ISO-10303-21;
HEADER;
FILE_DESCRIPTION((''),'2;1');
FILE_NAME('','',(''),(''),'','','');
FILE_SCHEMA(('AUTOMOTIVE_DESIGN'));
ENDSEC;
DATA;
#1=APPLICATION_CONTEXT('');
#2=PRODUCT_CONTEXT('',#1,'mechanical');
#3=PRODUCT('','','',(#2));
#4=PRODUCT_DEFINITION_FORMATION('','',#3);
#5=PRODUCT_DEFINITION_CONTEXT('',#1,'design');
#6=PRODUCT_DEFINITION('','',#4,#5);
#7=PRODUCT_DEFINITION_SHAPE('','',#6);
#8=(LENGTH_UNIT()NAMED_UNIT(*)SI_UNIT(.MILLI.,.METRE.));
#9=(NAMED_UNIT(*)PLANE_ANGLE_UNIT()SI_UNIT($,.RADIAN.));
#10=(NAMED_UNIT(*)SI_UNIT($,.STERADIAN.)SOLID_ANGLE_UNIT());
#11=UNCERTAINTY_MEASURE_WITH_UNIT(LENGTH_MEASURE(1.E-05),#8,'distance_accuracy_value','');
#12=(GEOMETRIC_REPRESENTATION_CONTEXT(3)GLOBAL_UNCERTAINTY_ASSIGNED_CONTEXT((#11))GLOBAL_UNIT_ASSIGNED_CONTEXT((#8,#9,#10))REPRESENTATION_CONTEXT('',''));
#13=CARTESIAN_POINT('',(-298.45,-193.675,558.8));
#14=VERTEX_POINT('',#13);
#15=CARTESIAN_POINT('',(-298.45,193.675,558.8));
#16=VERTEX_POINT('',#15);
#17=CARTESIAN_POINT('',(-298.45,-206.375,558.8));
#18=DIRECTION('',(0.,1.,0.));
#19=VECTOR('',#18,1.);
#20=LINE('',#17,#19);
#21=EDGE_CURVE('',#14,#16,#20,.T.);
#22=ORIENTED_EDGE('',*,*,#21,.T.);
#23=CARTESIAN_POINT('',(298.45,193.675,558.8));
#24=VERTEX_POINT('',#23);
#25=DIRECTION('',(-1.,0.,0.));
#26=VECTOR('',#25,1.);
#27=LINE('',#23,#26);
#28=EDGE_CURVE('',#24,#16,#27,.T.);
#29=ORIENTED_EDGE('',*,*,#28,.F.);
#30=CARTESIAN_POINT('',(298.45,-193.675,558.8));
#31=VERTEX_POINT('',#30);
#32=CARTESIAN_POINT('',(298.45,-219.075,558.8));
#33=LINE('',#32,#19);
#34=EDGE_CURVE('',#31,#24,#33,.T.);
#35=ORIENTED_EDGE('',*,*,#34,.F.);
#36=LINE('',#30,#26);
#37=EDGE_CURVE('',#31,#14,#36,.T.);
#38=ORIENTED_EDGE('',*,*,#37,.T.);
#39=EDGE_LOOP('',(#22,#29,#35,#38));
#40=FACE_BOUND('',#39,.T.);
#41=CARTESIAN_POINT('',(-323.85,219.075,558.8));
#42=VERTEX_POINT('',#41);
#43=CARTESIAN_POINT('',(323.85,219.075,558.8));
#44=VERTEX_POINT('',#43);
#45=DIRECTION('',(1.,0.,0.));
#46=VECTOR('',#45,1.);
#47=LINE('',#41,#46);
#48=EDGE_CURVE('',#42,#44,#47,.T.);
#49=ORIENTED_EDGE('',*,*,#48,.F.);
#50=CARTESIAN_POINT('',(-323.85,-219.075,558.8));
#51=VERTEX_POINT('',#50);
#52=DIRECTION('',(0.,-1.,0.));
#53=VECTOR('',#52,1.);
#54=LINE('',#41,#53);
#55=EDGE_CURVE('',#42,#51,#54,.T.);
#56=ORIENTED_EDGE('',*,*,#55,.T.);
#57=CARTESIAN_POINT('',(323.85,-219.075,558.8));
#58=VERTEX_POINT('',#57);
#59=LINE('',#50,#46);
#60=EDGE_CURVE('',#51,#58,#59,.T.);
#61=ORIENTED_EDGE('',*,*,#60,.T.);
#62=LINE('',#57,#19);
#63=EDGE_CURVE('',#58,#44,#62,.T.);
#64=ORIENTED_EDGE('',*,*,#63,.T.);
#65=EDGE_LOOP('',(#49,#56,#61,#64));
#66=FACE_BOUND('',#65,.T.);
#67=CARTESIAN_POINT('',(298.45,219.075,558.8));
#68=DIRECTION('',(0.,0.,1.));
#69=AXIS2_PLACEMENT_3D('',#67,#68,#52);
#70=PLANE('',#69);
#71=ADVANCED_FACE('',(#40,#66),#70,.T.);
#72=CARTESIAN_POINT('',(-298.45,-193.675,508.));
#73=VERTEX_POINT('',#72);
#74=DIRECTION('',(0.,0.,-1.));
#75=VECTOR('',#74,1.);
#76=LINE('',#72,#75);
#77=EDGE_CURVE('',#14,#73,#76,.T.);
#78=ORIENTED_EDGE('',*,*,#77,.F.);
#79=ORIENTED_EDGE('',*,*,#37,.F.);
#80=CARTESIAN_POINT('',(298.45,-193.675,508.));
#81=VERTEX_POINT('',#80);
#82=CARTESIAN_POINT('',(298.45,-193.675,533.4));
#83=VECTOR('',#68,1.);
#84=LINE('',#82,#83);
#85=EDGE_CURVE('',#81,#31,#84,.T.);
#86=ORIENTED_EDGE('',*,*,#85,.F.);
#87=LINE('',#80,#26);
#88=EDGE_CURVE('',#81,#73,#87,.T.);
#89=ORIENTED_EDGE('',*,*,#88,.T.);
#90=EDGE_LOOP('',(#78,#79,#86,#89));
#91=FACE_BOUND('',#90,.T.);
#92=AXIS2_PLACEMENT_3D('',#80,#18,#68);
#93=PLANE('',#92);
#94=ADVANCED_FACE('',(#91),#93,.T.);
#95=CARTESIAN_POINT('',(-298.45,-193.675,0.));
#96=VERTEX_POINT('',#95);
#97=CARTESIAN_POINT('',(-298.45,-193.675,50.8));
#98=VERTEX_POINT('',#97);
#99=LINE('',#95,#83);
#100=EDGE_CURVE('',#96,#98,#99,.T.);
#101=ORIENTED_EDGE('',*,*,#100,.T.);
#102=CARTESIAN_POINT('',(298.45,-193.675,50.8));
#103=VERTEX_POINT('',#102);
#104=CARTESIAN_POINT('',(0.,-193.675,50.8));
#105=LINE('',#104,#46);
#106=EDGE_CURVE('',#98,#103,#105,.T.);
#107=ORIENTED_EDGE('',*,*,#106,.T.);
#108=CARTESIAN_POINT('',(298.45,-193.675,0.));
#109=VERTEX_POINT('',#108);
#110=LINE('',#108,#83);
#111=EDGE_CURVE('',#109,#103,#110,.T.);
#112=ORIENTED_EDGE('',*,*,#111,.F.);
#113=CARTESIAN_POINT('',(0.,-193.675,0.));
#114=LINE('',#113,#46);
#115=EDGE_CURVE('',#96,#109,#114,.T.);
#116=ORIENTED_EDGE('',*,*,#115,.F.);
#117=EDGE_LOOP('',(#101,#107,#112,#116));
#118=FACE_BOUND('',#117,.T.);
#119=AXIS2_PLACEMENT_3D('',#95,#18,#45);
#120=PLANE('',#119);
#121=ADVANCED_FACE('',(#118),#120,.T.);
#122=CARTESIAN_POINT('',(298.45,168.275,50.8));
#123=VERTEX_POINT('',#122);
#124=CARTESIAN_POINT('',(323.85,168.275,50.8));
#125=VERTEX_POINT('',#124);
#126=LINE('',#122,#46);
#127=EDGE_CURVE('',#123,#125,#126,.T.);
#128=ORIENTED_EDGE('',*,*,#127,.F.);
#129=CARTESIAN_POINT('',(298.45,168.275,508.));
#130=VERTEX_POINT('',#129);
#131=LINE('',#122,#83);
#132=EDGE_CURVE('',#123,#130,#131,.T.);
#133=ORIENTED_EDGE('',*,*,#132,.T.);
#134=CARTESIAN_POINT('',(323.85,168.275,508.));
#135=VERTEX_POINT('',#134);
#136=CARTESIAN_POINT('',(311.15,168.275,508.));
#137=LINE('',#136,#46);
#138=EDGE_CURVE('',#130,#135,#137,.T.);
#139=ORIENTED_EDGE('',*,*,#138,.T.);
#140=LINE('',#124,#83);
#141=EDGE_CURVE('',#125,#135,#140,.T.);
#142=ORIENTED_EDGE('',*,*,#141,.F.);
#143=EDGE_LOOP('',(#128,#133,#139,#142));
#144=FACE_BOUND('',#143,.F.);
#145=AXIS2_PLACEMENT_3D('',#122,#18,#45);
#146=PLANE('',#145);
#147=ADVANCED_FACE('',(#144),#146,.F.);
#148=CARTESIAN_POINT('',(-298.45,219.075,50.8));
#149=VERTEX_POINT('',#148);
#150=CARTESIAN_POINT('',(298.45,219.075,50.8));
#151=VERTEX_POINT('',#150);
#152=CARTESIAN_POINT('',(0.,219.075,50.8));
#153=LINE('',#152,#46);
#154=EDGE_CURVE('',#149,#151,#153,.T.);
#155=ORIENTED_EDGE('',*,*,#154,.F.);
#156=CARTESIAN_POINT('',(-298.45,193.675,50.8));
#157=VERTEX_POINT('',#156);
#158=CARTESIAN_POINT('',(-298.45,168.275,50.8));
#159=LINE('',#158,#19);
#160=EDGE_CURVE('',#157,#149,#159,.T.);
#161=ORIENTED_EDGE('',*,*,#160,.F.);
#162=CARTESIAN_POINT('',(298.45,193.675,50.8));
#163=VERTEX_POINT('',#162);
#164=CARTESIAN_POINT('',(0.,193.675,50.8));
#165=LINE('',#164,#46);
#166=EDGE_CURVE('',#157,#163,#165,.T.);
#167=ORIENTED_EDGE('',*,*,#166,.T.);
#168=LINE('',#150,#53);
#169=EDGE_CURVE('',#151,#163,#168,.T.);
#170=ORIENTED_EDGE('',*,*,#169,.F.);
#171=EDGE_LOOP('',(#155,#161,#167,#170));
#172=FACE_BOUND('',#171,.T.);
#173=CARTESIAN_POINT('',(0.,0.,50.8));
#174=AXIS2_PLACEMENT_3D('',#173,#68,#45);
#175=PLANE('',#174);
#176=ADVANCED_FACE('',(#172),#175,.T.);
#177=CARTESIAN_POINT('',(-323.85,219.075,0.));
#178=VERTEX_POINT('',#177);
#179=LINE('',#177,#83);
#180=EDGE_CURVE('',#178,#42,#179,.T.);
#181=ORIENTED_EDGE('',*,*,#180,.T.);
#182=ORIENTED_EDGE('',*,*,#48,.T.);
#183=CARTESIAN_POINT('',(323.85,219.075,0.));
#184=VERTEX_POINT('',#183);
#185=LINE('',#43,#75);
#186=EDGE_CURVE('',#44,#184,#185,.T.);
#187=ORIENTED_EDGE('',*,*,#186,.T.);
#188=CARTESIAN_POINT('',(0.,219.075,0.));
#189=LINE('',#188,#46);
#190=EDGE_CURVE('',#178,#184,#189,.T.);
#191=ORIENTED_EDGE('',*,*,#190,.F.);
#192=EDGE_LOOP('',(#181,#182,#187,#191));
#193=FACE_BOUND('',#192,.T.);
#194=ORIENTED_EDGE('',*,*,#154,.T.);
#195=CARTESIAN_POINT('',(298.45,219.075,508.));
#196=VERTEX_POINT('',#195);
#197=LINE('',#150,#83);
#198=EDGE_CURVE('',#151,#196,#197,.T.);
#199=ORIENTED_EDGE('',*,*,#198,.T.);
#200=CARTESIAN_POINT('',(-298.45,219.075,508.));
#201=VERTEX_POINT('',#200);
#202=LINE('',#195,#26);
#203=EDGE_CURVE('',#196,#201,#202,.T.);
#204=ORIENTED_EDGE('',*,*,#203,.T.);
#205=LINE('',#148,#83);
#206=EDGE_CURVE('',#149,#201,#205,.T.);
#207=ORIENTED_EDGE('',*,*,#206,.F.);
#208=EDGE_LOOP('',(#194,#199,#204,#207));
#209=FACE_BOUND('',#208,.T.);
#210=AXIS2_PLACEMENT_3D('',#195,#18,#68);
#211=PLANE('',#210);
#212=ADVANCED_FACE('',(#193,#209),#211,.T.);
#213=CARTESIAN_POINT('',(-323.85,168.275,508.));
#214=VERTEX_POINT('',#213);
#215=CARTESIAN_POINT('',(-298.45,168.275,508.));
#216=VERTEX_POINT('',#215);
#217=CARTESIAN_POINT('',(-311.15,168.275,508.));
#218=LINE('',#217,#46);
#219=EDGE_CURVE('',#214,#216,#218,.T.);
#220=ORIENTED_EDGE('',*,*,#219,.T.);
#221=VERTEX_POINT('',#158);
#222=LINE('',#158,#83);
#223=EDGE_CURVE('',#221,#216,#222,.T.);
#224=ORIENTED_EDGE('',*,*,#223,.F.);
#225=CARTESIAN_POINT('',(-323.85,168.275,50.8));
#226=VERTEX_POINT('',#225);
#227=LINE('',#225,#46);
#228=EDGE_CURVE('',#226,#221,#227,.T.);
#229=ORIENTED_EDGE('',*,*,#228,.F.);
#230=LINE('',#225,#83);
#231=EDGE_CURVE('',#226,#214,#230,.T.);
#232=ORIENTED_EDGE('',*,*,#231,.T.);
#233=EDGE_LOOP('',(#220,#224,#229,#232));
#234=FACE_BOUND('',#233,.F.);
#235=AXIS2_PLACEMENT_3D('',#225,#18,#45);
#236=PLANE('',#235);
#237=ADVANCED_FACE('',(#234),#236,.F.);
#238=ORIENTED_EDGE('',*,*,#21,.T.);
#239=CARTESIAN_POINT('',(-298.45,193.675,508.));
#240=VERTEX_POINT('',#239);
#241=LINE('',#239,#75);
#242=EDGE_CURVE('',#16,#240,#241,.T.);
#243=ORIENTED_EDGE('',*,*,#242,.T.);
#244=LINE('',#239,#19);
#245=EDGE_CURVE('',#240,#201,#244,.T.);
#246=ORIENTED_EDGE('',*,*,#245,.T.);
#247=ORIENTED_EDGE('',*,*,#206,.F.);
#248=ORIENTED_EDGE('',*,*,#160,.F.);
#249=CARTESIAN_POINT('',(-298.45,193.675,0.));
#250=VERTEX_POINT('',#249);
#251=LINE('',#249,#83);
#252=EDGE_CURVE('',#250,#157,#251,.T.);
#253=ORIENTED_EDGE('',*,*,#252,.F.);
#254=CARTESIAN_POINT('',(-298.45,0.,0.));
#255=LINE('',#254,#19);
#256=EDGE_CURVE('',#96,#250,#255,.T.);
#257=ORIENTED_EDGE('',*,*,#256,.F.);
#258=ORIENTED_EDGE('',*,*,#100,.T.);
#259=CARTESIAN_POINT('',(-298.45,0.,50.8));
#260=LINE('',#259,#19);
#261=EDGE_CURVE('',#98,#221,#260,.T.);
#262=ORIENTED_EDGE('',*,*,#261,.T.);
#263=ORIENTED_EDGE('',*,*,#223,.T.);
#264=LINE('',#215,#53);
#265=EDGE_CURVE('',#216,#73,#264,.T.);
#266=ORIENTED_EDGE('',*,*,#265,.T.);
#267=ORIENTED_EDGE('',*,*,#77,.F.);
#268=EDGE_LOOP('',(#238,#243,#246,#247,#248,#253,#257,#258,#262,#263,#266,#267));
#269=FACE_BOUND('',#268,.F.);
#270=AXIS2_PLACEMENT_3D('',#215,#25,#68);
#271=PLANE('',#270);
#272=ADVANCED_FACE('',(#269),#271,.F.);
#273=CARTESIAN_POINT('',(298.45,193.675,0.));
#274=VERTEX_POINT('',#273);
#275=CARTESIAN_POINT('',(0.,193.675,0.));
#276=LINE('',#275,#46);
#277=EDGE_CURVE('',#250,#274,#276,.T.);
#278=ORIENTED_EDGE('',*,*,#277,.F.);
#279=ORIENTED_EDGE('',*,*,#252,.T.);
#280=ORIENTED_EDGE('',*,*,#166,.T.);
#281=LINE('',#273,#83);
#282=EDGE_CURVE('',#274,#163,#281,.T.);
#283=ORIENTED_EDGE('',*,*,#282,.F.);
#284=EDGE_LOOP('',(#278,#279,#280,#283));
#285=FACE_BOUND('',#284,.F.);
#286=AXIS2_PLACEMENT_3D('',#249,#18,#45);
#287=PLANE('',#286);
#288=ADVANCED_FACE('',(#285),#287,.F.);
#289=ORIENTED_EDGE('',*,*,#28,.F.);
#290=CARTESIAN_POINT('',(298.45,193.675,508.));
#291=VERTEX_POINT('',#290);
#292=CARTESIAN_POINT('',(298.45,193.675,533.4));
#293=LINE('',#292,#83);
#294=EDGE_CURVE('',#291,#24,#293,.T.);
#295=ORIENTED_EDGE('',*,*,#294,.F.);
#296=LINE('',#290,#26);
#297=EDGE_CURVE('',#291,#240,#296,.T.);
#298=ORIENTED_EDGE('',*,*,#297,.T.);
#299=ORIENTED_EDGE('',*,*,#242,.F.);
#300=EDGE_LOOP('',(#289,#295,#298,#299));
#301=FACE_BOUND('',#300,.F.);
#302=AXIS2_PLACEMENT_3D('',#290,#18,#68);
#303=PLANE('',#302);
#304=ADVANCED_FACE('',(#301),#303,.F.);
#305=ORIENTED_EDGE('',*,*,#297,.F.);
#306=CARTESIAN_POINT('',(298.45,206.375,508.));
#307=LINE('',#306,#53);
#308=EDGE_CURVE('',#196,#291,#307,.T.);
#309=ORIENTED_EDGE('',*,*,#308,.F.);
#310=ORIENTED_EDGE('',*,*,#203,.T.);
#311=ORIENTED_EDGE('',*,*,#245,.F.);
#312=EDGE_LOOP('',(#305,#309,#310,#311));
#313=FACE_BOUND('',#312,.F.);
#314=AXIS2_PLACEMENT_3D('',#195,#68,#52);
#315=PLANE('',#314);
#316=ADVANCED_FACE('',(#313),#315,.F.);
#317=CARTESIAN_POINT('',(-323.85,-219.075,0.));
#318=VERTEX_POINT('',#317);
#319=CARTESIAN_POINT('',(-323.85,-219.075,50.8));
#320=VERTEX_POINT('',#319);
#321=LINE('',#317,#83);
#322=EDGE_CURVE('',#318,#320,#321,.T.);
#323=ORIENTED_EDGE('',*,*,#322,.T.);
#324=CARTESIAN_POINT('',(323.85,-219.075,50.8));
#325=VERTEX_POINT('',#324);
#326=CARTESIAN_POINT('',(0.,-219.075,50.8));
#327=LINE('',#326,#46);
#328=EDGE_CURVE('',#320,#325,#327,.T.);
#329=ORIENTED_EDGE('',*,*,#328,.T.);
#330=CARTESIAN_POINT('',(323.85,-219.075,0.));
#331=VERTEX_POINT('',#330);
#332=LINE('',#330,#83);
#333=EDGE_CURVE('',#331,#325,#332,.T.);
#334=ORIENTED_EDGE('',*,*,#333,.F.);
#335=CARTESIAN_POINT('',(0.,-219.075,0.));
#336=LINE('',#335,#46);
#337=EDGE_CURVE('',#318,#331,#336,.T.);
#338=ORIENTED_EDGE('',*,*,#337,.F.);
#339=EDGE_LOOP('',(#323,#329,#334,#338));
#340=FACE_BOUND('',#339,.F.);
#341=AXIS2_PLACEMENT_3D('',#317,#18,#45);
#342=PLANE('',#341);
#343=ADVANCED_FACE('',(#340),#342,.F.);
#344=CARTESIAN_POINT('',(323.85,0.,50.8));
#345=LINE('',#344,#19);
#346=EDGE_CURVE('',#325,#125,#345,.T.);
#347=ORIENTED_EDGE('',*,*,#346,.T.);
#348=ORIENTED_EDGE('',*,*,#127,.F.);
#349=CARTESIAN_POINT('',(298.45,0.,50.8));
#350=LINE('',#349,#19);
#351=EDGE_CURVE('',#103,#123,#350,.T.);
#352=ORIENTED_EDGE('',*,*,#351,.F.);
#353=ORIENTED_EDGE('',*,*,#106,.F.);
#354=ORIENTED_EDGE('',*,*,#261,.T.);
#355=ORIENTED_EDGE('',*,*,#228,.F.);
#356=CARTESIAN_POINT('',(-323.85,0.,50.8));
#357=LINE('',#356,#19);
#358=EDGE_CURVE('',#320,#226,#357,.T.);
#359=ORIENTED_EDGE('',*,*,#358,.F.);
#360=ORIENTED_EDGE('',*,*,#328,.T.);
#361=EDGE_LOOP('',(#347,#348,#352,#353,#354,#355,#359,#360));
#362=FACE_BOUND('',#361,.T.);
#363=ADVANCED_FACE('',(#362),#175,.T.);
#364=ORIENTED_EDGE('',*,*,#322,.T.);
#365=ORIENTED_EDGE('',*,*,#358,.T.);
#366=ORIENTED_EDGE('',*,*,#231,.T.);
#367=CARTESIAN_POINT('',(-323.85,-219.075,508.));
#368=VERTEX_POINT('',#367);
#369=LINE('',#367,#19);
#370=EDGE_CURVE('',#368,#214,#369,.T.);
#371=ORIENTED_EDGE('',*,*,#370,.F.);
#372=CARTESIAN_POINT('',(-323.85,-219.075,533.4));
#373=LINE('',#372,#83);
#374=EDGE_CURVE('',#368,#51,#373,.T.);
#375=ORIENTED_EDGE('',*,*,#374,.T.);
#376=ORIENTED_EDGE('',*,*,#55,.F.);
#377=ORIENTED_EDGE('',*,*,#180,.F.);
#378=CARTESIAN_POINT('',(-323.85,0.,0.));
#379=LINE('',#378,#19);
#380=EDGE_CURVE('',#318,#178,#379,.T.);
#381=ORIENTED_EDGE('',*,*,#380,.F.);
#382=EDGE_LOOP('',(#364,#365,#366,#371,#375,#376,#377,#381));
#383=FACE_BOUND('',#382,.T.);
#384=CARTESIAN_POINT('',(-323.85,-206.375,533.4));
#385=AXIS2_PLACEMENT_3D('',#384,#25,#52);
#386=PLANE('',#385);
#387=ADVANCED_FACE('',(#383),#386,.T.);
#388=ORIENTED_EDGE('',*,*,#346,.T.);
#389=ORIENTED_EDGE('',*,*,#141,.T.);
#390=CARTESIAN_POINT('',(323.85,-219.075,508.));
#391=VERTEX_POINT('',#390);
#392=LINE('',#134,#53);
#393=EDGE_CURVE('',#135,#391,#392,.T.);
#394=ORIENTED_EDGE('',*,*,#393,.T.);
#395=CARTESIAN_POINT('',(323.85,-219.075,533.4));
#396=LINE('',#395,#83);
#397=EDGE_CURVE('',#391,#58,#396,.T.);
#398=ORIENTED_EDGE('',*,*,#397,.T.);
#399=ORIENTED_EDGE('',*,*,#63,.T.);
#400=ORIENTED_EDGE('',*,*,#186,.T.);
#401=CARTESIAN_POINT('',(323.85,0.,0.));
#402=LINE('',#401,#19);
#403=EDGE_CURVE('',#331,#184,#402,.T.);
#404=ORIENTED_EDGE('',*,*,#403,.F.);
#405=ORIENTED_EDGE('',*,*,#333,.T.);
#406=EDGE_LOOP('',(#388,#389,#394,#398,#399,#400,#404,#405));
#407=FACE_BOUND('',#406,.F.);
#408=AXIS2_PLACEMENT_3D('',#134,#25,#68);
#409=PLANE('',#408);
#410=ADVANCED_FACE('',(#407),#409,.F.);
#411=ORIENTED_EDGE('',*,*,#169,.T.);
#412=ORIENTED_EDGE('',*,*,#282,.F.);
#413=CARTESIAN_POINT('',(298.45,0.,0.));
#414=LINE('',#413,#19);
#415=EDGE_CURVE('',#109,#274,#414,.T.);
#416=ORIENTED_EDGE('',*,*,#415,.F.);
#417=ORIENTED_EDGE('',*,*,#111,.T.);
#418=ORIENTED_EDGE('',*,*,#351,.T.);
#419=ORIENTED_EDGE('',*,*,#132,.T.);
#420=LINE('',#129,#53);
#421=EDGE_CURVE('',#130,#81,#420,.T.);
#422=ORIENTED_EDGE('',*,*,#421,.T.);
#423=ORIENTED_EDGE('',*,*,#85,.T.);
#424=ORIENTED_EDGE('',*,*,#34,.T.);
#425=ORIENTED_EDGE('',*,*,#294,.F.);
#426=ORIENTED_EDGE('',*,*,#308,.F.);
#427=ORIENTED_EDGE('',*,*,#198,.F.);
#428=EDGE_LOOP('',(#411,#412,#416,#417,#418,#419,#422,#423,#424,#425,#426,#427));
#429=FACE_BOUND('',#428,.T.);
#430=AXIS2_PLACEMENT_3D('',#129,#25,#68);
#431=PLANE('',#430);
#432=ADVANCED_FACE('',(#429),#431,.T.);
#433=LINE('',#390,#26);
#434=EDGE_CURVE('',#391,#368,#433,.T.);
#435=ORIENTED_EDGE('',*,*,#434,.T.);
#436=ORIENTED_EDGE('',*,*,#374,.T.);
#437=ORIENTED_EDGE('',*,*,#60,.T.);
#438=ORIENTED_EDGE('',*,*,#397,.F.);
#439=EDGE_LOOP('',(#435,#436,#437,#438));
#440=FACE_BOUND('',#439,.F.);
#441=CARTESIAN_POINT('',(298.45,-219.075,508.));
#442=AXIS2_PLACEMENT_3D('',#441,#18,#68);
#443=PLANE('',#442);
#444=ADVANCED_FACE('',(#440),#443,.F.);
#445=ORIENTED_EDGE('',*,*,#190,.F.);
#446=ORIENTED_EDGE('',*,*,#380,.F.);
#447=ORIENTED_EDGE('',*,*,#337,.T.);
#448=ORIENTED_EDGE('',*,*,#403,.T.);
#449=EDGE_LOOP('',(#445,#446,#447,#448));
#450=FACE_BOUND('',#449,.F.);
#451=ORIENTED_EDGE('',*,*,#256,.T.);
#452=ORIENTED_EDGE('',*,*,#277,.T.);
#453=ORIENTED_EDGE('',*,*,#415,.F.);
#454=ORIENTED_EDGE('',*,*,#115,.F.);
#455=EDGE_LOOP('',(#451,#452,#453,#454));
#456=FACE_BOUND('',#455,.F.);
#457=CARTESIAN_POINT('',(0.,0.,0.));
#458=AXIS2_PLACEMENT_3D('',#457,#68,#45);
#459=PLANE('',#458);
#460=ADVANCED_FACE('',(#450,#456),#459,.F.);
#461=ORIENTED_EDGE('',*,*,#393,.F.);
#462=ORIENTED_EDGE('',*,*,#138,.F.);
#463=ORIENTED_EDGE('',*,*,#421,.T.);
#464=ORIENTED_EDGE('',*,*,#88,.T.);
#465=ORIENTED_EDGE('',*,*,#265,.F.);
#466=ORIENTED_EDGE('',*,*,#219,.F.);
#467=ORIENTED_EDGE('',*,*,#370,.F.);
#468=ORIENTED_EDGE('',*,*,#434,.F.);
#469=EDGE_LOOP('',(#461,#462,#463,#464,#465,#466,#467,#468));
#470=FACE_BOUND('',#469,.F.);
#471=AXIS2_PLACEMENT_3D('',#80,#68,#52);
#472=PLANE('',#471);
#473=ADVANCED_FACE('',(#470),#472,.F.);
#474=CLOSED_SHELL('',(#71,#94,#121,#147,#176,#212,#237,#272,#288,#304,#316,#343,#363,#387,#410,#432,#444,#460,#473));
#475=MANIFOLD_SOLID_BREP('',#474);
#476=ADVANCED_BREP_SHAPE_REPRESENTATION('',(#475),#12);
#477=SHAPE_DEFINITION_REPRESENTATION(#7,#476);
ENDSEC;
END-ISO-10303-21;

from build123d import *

# Parameters (mm, degrees)
F0_W      = 647.7
F0_H      = 438.15
F0_W_2    = 596.9
F0_H_2    = 387.35
F1_DEPTH  = 50.8
F3_DEPTH  = 508
F4_W      = 25.4
F4_H      = 50.8
F5_DEPTH  = 374.65
F6_W      = 25.4
F6_H      = 50.8
F7_DEPTH  = 387.35
F8_W      = 25.4
F8_H      = 50.8
F9_DEPTH  = 622.3
F10_W     = 25.4
F10_H     = 50.8
F11_DEPTH = 622.3


with BuildPart() as f1:
    # F0 (on Top) → F1 (new body)
    with BuildSketch(Plane.XY):
        Rectangle(F0_W, F0_H)
        Rectangle(F0_W_2, F0_H_2, mode=Mode.SUBTRACT)
    extrude(amount=F1_DEPTH)

    # F2 (on face) → F3 (join)
    with BuildSketch(Plane.XY.offset(50.8)):
        Polygon((-298.45, 219.075), (-323.85, 219.075), (-323.85, 168.275), (-298.45, 168.275), (-298.45, 193.675), align=None)
        Polygon((323.85, 219.075), (298.45, 219.075), (298.45, 193.675), (298.45, 168.275), (323.85, 168.275), align=None)
    extrude(amount=F3_DEPTH)

    # F4 (on face) → F5 (join)
    with BuildSketch(Plane.XZ.offset(-168.275)):
        with Locations((-311.15, 533.4)):
            Rectangle(F4_W, F4_H)
    extrude(amount=F5_DEPTH)

    # F6 (on face) → F7 (join)
    with BuildSketch(Plane.XZ.offset(-168.275)):
        with Locations((311.15, 533.4)):
            Rectangle(F6_W, F6_H)
    extrude(amount=F7_DEPTH)

    # F8 (on face) → F9 (join)
    with BuildSketch(Plane(origin=(298.45, 0, 0), x_dir=(0, -1, 0), z_dir=(-1, 0, 0))):
        with Locations((206.375, 533.4)):
            Rectangle(F8_W, F8_H)
    extrude(amount=F9_DEPTH)

    # F10 (on face) → F11 (join)
    with BuildSketch(Plane(origin=(298.45, 0, 0), x_dir=(0, -1, 0), z_dir=(-1, 0, 0))):
        with Locations((-206.375, 533.4)):
            Rectangle(F10_W, F10_H)
    extrude(amount=F11_DEPTH)


solid = f1.part
